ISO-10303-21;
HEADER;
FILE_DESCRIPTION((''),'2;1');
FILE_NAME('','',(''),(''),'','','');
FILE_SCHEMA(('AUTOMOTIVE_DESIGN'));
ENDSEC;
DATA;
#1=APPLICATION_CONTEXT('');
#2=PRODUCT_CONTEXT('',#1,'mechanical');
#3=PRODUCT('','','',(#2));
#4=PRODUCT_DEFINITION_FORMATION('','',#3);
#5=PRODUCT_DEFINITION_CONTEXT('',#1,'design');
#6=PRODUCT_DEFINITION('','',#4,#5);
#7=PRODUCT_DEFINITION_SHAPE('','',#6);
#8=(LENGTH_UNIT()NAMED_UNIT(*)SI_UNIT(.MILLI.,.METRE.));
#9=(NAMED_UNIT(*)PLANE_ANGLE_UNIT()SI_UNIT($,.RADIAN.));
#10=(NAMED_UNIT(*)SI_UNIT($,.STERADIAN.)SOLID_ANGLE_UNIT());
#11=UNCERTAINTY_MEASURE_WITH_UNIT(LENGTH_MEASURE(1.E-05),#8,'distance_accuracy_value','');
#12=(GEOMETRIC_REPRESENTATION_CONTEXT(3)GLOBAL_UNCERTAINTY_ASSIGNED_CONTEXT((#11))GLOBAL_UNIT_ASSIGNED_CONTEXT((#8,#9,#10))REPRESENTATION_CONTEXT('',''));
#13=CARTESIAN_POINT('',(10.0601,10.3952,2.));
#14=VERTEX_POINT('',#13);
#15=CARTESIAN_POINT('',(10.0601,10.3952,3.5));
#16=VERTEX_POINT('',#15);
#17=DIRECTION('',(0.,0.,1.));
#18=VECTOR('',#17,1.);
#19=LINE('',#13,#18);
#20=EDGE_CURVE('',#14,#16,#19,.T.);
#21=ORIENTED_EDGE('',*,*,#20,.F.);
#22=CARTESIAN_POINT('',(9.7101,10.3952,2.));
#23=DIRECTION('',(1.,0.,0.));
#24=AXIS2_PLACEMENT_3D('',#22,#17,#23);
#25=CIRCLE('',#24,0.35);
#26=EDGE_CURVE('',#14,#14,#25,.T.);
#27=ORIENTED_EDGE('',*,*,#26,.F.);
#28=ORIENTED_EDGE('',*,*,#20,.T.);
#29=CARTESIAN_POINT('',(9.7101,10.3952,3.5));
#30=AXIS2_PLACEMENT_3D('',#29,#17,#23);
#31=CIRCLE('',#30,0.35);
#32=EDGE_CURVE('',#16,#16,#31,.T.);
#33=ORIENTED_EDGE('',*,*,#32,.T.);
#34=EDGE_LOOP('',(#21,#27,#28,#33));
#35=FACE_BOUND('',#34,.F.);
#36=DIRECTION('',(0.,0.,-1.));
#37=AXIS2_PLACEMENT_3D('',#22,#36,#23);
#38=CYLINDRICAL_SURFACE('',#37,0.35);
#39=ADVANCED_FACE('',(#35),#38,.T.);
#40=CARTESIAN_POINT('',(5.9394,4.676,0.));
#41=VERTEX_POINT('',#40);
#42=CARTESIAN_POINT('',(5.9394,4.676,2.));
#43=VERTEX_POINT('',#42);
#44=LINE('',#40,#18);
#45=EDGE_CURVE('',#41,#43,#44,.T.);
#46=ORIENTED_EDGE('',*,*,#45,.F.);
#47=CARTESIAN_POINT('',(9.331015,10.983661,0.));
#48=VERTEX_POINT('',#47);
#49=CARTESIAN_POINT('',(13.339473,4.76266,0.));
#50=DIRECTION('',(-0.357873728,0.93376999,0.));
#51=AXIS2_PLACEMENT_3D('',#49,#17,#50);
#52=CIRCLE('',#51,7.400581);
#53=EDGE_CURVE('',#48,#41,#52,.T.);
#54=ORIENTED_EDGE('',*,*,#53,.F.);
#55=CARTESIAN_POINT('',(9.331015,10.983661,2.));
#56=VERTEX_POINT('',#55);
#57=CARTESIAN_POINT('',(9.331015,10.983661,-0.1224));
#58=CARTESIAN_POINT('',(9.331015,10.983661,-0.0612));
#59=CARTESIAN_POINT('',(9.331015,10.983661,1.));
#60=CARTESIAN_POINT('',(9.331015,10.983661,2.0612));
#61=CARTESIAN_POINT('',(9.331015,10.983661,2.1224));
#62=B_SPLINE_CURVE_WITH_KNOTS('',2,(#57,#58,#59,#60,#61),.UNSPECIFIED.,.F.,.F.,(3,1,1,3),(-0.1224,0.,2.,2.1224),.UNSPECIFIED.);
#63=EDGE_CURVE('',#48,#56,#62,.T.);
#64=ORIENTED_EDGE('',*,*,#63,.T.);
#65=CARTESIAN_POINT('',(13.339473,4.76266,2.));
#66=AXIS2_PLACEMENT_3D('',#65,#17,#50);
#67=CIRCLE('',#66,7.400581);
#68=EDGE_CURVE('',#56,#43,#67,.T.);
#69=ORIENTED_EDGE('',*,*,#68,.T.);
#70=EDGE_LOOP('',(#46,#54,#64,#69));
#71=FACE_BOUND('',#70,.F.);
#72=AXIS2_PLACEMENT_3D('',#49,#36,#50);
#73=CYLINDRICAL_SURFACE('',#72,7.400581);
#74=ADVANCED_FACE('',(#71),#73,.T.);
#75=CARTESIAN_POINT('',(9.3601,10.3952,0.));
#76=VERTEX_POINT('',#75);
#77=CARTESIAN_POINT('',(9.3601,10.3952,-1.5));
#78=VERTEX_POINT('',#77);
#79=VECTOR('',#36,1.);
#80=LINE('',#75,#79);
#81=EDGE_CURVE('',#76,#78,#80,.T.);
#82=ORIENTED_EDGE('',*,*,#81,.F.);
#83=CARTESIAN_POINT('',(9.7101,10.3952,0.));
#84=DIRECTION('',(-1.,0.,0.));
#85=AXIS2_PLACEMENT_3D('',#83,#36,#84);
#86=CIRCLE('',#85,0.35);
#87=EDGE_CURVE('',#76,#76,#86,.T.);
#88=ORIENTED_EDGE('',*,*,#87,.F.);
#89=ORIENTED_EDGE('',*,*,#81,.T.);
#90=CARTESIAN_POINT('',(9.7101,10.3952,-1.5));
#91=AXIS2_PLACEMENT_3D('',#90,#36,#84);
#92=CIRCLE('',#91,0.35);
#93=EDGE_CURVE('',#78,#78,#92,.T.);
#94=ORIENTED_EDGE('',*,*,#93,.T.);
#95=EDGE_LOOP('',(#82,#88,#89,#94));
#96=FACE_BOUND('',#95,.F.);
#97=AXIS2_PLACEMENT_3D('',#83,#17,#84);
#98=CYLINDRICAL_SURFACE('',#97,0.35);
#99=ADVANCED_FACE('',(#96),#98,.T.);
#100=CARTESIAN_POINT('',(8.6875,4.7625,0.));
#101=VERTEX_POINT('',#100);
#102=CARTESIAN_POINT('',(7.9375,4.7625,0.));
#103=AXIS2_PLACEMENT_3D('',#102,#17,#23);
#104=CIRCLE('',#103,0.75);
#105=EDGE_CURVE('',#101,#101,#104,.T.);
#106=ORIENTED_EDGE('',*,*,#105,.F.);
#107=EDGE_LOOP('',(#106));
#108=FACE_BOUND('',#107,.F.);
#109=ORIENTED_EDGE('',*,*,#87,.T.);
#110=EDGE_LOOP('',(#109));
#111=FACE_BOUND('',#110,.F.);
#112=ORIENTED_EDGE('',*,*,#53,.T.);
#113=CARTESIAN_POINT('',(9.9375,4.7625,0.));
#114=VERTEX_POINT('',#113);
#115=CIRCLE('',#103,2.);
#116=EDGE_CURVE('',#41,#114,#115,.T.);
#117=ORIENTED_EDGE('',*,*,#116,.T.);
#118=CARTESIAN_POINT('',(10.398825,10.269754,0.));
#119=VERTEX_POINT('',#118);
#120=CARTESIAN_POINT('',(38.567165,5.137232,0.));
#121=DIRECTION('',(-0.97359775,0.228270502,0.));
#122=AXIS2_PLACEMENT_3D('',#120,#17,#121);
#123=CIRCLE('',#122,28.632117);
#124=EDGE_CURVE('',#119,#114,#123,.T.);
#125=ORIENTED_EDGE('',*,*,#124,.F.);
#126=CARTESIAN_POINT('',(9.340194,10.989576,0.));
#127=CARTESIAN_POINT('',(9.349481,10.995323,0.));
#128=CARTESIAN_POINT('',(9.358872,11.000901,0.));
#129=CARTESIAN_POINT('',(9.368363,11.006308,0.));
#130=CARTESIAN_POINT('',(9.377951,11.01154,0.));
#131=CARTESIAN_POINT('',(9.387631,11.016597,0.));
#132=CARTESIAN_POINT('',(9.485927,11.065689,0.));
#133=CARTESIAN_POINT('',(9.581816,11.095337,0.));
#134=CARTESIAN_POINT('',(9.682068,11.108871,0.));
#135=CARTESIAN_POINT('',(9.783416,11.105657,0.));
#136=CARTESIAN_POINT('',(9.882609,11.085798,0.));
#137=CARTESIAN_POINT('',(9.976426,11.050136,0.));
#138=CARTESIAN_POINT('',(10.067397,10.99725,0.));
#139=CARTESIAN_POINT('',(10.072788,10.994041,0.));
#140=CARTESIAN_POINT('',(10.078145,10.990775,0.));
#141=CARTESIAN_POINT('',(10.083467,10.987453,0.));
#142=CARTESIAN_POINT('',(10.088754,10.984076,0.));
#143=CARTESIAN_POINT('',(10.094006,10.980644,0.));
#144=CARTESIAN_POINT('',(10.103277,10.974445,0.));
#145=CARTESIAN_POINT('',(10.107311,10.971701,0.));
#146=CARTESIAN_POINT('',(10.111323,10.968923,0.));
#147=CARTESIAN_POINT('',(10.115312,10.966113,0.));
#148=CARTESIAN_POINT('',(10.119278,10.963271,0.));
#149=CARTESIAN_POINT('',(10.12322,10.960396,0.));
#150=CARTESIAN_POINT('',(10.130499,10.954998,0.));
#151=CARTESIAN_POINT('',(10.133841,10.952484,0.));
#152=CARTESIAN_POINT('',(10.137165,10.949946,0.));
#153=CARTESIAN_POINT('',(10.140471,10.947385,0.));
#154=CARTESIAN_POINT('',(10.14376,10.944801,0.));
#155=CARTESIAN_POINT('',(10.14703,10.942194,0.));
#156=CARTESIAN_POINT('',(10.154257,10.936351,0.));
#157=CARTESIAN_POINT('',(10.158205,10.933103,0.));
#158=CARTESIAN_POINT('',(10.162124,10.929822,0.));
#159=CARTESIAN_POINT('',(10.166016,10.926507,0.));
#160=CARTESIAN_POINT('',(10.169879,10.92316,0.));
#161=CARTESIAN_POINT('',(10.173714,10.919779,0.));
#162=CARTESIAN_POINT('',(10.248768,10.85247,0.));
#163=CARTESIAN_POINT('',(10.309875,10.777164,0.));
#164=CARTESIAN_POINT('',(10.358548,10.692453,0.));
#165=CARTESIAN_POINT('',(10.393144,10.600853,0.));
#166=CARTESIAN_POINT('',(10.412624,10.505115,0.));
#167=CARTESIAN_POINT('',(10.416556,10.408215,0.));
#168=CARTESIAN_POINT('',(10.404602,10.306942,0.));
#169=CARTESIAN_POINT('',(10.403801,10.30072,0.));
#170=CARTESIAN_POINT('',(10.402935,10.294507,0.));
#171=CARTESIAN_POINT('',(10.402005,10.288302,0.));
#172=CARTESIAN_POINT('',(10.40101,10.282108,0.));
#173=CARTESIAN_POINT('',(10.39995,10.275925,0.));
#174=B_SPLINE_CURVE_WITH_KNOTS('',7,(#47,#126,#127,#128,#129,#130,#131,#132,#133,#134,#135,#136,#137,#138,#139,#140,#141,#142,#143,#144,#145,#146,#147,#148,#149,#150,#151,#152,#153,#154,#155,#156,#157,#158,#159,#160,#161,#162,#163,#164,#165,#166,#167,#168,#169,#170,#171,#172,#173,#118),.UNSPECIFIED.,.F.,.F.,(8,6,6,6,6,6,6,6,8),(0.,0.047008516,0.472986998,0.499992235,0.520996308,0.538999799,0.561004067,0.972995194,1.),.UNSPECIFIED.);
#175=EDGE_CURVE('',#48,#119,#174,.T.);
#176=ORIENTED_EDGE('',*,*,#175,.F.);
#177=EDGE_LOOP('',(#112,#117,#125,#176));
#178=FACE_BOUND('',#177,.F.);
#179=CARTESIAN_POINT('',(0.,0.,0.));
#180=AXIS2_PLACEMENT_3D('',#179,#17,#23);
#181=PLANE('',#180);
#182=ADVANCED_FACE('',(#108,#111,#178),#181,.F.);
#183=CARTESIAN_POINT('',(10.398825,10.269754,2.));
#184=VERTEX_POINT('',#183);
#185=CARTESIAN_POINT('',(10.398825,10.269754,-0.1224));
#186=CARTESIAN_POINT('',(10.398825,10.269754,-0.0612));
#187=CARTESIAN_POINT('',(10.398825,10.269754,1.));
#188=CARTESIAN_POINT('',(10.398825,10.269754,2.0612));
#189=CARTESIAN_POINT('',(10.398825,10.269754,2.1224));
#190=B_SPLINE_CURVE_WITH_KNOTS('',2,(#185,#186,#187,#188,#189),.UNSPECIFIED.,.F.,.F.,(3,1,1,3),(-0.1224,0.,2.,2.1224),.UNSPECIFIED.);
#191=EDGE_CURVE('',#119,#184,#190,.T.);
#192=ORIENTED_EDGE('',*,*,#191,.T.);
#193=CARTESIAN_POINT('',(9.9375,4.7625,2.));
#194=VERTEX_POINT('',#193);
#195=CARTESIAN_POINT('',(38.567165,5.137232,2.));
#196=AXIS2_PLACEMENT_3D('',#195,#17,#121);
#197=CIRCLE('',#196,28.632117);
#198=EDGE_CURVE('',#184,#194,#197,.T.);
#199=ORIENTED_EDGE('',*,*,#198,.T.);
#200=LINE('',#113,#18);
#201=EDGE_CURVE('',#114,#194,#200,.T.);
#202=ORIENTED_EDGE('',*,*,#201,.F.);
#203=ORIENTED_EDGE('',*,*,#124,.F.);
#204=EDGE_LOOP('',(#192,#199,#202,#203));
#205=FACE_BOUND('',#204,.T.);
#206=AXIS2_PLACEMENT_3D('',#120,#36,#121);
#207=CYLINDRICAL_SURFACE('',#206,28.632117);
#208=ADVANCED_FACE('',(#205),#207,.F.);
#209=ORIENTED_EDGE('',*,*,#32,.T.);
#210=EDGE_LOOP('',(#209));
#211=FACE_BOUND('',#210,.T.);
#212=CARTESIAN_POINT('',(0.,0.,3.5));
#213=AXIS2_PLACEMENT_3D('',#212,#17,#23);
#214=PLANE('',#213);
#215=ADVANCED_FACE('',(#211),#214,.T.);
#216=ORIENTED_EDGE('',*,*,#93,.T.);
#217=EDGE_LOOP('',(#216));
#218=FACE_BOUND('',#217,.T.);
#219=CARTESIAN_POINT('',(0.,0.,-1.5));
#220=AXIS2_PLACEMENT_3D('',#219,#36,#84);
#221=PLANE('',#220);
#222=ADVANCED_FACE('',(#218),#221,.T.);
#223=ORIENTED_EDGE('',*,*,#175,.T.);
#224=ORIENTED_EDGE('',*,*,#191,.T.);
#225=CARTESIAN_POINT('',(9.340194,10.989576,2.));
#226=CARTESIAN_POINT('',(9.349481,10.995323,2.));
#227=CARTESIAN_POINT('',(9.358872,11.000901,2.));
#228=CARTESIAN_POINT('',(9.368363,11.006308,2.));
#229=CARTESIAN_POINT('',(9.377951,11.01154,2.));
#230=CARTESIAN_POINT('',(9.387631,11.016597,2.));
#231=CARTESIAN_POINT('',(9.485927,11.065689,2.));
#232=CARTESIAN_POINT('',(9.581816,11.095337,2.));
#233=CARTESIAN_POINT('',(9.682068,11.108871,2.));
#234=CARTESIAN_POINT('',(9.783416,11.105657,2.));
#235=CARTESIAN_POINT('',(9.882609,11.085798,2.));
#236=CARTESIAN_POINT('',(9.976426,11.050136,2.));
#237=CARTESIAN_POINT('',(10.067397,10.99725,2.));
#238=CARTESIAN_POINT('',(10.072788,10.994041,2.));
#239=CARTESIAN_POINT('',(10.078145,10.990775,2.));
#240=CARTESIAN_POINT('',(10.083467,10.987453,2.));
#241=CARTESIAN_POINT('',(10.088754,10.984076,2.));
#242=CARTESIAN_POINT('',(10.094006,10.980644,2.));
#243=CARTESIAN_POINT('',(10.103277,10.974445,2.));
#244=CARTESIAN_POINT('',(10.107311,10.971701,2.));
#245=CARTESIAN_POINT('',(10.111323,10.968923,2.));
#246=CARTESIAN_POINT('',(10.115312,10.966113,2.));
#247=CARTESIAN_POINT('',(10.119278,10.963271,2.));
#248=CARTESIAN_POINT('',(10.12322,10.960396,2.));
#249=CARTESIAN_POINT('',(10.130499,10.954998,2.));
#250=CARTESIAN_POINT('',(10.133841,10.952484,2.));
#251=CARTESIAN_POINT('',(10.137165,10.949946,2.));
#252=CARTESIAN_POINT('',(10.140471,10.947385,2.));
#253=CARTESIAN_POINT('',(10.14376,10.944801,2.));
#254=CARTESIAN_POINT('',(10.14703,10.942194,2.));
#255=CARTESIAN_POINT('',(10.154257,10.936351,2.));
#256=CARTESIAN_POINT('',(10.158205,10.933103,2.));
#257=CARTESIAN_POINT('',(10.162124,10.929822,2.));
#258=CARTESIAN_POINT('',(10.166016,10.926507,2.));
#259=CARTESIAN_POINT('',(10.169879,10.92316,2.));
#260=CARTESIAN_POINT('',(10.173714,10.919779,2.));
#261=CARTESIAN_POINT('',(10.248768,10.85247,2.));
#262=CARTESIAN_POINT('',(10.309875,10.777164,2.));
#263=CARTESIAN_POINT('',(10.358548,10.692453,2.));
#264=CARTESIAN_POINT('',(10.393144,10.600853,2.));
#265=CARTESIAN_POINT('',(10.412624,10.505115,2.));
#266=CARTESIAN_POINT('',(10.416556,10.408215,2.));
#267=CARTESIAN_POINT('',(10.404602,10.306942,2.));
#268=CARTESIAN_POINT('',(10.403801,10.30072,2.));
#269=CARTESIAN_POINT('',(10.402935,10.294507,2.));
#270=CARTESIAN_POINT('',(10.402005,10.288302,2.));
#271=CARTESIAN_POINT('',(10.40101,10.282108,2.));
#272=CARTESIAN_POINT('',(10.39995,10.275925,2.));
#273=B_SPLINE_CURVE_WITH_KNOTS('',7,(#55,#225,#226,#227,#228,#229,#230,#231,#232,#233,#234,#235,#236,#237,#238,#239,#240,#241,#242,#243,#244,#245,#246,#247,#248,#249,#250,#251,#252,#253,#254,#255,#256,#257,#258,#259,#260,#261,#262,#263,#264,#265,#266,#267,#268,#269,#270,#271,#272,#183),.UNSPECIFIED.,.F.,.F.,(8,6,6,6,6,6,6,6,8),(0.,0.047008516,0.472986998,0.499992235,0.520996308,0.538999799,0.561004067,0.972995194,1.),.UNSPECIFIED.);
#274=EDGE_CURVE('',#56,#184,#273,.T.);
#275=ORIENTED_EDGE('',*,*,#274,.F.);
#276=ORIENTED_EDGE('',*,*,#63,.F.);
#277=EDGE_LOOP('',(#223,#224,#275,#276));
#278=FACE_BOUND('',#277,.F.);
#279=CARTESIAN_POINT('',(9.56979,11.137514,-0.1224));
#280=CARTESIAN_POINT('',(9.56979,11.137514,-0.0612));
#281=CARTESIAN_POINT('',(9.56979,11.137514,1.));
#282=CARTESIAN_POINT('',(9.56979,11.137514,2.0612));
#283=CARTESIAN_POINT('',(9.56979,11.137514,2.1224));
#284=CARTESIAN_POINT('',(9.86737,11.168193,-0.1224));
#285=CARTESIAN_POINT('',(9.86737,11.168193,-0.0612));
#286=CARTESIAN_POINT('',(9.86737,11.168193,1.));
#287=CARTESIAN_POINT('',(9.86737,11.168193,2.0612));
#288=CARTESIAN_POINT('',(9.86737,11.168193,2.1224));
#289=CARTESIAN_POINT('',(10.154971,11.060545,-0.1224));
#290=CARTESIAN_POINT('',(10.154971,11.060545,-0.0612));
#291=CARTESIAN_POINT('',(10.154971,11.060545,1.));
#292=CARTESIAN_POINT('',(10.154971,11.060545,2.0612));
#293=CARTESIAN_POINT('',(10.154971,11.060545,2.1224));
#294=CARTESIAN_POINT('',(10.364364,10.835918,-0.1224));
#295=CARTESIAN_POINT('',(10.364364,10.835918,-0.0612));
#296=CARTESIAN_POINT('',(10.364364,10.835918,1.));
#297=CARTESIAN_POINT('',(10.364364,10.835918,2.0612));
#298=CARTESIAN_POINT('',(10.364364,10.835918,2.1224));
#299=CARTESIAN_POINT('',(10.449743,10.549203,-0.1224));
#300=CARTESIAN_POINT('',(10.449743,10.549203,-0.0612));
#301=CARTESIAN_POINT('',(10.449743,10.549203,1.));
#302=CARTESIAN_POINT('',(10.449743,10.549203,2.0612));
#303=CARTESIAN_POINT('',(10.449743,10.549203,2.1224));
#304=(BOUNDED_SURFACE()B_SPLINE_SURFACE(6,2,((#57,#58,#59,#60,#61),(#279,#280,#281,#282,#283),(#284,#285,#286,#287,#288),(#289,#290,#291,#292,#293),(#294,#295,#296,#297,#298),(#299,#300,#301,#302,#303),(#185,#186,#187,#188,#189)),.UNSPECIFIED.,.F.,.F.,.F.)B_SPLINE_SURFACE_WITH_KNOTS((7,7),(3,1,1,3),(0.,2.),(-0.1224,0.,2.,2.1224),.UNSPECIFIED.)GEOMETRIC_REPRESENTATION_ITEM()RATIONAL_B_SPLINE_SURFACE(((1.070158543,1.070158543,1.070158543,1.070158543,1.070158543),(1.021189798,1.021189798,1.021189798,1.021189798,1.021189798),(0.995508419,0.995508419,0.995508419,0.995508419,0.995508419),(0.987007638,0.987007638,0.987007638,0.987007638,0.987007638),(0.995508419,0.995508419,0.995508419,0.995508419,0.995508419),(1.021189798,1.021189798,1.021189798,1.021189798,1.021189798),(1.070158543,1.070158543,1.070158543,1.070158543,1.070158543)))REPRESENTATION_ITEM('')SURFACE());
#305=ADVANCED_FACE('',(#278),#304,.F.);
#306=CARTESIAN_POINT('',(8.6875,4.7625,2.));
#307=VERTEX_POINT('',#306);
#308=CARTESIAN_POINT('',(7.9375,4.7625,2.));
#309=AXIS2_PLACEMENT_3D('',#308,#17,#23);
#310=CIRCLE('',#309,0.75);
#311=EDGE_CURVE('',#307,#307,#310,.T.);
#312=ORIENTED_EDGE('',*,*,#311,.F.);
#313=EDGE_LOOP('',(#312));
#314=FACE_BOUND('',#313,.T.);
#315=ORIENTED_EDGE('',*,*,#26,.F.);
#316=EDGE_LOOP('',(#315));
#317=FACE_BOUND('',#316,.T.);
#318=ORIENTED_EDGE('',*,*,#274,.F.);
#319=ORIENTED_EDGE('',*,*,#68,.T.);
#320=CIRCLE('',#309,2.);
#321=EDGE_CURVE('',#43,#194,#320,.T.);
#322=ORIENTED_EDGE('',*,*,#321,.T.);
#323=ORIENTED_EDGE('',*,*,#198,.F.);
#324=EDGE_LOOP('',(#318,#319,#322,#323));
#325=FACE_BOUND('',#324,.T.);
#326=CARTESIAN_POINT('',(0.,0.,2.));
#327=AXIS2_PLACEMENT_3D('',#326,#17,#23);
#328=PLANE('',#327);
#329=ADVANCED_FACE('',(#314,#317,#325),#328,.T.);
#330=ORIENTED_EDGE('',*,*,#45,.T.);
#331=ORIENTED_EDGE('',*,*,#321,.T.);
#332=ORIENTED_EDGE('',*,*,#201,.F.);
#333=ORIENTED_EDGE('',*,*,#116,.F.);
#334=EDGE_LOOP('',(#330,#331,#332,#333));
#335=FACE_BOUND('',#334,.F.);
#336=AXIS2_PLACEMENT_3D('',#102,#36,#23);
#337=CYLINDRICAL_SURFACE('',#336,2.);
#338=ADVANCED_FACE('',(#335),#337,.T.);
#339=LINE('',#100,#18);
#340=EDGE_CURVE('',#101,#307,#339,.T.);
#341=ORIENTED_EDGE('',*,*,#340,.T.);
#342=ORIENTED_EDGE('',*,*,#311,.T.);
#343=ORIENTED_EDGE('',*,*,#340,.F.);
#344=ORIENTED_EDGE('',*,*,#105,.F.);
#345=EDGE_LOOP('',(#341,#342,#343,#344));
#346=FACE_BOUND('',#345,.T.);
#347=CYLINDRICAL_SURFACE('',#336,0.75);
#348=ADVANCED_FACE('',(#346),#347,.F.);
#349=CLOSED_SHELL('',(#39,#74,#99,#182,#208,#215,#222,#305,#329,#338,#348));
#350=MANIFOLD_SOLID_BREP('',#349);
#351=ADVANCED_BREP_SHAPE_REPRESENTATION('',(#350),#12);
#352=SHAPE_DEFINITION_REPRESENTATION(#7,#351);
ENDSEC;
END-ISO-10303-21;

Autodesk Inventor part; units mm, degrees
ref_plane "YZ Plane" through (0, 0, 0) normal (1, 0, 0) x (0, 1, 0)
ref_plane "XZ Plane" through (0, 0, 0) normal (0, 1, 0) x (-1, 0, 0)
ref_plane "XY Plane" through (0, 0, 0) normal (0, 0, 1) x (1, 0, 0)
sketch "Sketch1" plane through (0, 0, 0) normal (0, 0, 1) x (1, 0, 0)
  line L0 (0, 0) -> (20, 0) construction
  line L1 (20, 0) -> (20, 20) construction
  line L2 (20, 20) -> (0, 20) construction
  line L3 (0, 20) -> (0, 0) construction
  circle A0 centre (7.9375, 4.7625) radius 2
  circle A1 centre (7.9375, 4.7625) radius 0.75
  arc A2 (10.691, 11.6731) -> (5.9394, 4.676) centre (13.3396, 4.7625) ccw
  arc A3 (10.691, 11.6731) -> (9.9375, 4.7625) centre (38.5656, 5.1375) ccw
  dimension "d0" = 20
  dimension "d1" = 20
  dimension "d2" = 4
  dimension "d3" = 1.5
extrude "Extrusion1" add sketch "Sketch1" along normal blind 2 contours A0 A2 A3
fillet "Fillet2" radius 0.7 1 edges at (10.691, 11.6731, 1)
sketch "Sketch2" plane through (0, 0, 2) normal (0, 0, 1) x (1, 0, 0)
  arc A0 (5.9394, 4.676) -> (9.9375, 4.7625) centre (7.9375, 4.7625) ccw projected
  circle A1 centre (7.9375, 4.7625) radius 0.75 projected
  arc A2 (10.3988, 10.2697) -> (9.9375, 4.7625) centre (38.5656, 5.1375) ccw projected
  arc A3 (9.331, 10.9836) -> (5.9394, 4.676) centre (13.3396, 4.7625) ccw projected
  arc A4 (10.3988, 10.2697) -> (9.331, 10.9836) centre (9.7101, 10.3952) ccw projected
  circle A5 centre (9.7101, 10.3952) radius 0.35
  point P0 (0, 0)
  dimension "d16" = 0.7
extrude "Extrusion2" add sketch "Sketch2" along normal blind 1.5 contours A5
sketch "Sketch3" plane through (0, 0, 0) normal (0, 0, -1) x (-1, 0, 0)
  arc A0 (-9.9375, 4.7625) -> (-5.9394, 4.676) centre (-7.9375, 4.7625) ccw projected
  circle A1 centre (-7.9375, 4.7625) radius 0.75 projected
  arc A2 (-5.9394, 4.676) -> (-9.331, 10.9836) centre (-13.3396, 4.7625) ccw projected
  arc A3 (-9.9375, 4.7625) -> (-10.3988, 10.2697) centre (-38.5656, 5.1375) ccw projected
  arc A4 (-9.331, 10.9836) -> (-10.3988, 10.2697) centre (-9.7101, 10.3952) ccw projected
  circle A5 centre (-9.7101, 10.3952) radius 0.35
  point P0 (0, 0)
  dimension "d17" = 0.7
extrude "Extrusion3" add sketch "Sketch3" along normal blind 1.5 contours A5
properties material "Liga de Nickel-Copper 400"
